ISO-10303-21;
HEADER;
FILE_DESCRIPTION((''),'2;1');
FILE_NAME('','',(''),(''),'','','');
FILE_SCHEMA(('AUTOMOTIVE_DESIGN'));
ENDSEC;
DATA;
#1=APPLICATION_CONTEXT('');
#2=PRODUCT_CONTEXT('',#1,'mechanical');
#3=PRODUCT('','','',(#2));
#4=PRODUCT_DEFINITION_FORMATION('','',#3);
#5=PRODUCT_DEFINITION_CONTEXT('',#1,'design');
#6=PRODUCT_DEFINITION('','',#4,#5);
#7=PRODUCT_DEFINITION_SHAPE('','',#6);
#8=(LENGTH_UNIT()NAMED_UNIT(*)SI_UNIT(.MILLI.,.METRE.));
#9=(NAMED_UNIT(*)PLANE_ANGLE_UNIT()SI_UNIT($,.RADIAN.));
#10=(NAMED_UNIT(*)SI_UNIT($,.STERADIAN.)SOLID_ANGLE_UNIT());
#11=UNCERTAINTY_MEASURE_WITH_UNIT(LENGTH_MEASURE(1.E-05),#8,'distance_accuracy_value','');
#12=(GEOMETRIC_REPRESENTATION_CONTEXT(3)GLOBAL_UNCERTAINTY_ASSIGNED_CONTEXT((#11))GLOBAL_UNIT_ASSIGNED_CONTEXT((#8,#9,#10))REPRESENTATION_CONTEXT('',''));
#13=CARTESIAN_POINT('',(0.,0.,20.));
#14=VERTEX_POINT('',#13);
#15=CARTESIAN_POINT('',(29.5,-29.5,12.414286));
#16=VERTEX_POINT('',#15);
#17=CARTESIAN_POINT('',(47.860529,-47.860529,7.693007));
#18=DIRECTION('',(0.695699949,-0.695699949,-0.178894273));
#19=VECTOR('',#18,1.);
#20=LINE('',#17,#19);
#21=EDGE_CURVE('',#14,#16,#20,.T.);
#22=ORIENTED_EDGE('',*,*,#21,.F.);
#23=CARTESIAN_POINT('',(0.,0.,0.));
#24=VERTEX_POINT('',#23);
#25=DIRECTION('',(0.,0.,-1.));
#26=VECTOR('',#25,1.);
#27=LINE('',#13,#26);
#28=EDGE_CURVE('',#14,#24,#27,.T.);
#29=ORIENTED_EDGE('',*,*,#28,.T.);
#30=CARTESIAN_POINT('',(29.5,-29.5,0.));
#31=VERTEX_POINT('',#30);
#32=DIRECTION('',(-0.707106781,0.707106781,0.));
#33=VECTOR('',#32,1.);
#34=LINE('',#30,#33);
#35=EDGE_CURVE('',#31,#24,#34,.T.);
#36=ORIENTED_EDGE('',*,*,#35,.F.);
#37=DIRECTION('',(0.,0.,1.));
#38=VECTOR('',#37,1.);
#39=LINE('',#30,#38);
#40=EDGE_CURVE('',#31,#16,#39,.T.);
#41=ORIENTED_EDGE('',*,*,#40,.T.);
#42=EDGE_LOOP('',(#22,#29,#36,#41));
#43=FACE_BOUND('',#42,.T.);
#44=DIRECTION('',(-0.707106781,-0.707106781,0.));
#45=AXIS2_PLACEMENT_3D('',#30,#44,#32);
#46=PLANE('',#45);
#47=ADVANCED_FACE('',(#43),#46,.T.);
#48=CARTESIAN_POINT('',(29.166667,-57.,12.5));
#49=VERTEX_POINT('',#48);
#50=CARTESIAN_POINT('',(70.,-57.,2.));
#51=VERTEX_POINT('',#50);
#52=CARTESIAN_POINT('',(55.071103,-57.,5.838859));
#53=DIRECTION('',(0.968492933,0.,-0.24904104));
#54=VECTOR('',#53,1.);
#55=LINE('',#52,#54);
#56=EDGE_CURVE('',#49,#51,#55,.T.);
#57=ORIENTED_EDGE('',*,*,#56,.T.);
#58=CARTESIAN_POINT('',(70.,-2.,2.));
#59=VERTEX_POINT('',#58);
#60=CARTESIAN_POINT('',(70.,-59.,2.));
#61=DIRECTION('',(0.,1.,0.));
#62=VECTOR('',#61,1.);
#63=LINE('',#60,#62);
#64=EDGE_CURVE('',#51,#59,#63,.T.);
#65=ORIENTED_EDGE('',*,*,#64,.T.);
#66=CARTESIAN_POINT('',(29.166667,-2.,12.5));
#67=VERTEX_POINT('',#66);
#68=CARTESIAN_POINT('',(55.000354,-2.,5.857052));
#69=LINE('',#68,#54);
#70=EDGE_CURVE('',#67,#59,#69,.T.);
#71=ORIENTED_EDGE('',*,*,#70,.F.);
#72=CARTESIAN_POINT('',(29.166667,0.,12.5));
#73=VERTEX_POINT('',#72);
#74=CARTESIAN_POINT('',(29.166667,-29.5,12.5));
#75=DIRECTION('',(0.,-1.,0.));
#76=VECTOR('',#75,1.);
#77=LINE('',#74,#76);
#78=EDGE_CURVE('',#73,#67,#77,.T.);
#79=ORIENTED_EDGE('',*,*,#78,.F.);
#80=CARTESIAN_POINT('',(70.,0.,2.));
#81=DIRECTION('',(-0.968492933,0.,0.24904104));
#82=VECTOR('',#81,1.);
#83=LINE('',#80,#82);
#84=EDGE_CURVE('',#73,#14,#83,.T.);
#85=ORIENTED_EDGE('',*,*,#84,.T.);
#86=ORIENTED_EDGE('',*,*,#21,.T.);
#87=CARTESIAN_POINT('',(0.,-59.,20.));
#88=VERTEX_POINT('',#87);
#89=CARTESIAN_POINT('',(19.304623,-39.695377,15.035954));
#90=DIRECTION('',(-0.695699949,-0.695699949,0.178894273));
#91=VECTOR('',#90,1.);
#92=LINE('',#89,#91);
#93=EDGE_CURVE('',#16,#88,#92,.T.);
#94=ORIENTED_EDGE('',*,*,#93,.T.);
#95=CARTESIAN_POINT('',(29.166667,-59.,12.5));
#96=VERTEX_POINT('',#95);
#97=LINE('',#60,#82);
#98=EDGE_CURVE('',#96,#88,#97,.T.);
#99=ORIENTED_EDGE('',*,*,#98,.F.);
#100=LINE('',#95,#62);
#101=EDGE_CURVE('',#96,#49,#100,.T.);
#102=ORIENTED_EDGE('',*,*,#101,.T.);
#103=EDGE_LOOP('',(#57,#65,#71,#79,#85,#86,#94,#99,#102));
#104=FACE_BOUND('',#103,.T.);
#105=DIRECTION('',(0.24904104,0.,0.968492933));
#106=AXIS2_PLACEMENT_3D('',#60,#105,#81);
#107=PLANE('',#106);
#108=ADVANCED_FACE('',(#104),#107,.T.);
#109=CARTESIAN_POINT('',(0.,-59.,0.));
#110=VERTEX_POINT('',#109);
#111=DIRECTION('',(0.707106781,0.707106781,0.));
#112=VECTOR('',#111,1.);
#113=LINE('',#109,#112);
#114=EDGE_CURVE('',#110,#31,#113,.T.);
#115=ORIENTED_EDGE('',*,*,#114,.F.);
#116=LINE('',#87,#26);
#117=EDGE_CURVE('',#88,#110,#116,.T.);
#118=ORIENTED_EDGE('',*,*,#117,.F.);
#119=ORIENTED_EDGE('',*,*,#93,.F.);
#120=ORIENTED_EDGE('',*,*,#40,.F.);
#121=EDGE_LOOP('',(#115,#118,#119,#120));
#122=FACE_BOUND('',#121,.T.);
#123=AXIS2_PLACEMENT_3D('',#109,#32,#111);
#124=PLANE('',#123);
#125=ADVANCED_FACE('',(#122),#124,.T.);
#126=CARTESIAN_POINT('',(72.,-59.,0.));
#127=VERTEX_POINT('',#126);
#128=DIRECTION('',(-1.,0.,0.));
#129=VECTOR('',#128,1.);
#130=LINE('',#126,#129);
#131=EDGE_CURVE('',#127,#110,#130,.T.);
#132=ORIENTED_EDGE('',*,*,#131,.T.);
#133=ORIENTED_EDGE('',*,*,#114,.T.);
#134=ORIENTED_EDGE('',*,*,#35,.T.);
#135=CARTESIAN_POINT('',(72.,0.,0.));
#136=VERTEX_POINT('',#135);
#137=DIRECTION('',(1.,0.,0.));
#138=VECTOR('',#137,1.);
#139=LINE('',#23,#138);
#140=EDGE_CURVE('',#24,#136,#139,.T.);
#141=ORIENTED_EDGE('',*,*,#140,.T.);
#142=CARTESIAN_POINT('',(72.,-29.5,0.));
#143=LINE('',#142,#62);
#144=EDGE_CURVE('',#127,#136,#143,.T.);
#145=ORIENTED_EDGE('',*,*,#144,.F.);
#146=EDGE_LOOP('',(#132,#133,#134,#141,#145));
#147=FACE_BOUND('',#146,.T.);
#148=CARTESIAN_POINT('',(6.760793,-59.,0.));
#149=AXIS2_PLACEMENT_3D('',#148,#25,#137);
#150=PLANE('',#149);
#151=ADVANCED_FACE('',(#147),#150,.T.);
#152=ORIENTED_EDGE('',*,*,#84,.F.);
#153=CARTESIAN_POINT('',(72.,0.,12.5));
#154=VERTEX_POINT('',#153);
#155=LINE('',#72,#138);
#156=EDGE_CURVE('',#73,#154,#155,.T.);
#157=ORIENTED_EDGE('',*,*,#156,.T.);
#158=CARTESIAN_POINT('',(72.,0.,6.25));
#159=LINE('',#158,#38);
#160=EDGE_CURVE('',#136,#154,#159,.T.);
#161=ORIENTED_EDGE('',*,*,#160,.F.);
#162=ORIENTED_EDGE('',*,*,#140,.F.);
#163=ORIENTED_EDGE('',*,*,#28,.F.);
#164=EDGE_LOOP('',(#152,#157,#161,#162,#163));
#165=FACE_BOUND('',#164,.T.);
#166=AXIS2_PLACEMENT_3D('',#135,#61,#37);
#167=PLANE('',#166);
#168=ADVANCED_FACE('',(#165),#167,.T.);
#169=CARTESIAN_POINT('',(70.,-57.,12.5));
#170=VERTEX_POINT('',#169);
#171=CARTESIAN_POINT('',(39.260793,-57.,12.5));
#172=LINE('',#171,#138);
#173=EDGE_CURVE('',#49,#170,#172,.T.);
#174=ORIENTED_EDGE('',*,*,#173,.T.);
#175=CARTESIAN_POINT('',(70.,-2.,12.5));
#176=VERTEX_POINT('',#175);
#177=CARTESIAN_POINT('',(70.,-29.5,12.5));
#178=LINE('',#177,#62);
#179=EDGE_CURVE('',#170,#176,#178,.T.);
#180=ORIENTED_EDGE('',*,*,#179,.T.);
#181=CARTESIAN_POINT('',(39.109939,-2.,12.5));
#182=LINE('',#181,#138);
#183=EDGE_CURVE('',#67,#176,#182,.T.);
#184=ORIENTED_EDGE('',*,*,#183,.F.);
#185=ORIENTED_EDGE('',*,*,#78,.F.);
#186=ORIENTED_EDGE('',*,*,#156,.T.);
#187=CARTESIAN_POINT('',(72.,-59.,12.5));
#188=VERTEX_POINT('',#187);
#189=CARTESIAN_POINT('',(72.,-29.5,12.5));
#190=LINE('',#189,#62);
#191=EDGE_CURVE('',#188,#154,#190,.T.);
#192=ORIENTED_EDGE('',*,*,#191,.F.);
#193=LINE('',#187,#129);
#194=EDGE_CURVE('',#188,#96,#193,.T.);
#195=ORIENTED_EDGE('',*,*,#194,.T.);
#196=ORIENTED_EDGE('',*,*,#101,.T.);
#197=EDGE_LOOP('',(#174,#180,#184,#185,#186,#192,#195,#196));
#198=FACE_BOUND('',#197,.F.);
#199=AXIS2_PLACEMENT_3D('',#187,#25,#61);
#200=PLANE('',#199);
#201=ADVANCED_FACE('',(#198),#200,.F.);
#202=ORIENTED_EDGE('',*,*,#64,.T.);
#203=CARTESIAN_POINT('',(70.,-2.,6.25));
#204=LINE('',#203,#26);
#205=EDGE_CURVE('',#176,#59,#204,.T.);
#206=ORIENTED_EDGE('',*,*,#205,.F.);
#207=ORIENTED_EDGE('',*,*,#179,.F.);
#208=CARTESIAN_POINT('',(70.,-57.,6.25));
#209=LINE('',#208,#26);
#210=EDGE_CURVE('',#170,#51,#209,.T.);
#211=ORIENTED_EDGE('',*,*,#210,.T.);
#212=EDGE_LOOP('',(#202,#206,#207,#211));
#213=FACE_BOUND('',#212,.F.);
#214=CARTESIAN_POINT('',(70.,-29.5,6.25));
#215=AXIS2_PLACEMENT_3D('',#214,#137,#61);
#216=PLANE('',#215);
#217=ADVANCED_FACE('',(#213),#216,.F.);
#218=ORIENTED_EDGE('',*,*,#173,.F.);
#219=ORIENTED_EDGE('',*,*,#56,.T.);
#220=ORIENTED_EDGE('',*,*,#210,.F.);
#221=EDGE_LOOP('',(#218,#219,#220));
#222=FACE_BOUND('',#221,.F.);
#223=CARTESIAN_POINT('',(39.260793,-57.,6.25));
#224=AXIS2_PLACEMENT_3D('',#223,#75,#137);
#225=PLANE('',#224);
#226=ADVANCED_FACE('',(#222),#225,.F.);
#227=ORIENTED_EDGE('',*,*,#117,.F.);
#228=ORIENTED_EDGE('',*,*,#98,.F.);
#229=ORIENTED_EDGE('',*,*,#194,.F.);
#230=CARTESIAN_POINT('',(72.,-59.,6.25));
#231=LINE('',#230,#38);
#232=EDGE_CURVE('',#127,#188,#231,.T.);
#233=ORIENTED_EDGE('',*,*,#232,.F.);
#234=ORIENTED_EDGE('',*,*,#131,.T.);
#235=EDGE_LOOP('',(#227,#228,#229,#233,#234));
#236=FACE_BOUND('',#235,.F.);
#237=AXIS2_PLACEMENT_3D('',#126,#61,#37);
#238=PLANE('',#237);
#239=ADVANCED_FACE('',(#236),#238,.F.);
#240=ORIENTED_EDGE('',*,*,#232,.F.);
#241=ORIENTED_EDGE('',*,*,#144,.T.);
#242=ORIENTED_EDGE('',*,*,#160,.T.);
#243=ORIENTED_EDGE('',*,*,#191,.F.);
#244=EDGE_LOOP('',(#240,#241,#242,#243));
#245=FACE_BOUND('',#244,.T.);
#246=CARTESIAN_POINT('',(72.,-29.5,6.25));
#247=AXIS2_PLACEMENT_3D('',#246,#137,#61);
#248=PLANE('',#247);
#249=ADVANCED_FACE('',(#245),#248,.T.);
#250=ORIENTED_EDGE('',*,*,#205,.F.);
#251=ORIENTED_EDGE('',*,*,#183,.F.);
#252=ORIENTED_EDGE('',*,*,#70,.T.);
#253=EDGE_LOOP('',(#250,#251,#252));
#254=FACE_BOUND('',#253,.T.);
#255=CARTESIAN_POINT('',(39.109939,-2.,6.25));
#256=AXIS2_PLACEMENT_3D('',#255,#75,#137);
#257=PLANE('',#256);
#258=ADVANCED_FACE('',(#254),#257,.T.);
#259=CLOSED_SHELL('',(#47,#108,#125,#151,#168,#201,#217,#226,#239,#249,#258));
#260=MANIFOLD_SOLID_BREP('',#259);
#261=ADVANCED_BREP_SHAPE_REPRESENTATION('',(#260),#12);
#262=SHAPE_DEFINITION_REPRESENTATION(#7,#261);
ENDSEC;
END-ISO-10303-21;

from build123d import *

# Parameters (mm, degrees)
F3_DEPTH  = 59
F4_W      = 59
F4_H      = 12.5
F5_DEPTH  = 2
F6_W      = 65
F6_H      = 12.5
F7_DEPTH  = 2
F8_W      = 65
F8_H      = 12.5
F9_DEPTH  = 2
F11_DEPTH = 25


with BuildPart() as f3:
    # F2 (on offset) → F3 (new body)
    with BuildSketch(Plane.XZ.offset(59)):
        Polygon((0, 20), (0, 0), (70, 0), (70, 2), align=None)
    extrude(amount=-F3_DEPTH)

    # F4 (on offset) → F5 (join)
    with BuildSketch(Plane.YZ.offset(72)):
        with Locations((-29.5, 6.25)):
            Rectangle(F4_W, F4_H)
    extrude(amount=-F5_DEPTH)

    # F6 (on Front) → F7 (join)
    with BuildSketch(Plane.XZ):
        with Locations((39.109939, 6.25)):
            Rectangle(F6_W, F6_H)
    extrude(amount=F7_DEPTH)

    # F8 (on offset) → F9 (join)
    with BuildSketch(Plane.XZ.offset(59)):
        with Locations((39.260793, 6.25)):
            Rectangle(F8_W, F8_H)
    extrude(amount=-F9_DEPTH)

    # F10 (on Top) → F11 (cut)
    with BuildSketch(Plane.XY):
        Polygon((29.5, -29.5), (0, 0), (0, -59), align=None)
    extrude(amount=F11_DEPTH, mode=Mode.SUBTRACT)


solid = f3.part
